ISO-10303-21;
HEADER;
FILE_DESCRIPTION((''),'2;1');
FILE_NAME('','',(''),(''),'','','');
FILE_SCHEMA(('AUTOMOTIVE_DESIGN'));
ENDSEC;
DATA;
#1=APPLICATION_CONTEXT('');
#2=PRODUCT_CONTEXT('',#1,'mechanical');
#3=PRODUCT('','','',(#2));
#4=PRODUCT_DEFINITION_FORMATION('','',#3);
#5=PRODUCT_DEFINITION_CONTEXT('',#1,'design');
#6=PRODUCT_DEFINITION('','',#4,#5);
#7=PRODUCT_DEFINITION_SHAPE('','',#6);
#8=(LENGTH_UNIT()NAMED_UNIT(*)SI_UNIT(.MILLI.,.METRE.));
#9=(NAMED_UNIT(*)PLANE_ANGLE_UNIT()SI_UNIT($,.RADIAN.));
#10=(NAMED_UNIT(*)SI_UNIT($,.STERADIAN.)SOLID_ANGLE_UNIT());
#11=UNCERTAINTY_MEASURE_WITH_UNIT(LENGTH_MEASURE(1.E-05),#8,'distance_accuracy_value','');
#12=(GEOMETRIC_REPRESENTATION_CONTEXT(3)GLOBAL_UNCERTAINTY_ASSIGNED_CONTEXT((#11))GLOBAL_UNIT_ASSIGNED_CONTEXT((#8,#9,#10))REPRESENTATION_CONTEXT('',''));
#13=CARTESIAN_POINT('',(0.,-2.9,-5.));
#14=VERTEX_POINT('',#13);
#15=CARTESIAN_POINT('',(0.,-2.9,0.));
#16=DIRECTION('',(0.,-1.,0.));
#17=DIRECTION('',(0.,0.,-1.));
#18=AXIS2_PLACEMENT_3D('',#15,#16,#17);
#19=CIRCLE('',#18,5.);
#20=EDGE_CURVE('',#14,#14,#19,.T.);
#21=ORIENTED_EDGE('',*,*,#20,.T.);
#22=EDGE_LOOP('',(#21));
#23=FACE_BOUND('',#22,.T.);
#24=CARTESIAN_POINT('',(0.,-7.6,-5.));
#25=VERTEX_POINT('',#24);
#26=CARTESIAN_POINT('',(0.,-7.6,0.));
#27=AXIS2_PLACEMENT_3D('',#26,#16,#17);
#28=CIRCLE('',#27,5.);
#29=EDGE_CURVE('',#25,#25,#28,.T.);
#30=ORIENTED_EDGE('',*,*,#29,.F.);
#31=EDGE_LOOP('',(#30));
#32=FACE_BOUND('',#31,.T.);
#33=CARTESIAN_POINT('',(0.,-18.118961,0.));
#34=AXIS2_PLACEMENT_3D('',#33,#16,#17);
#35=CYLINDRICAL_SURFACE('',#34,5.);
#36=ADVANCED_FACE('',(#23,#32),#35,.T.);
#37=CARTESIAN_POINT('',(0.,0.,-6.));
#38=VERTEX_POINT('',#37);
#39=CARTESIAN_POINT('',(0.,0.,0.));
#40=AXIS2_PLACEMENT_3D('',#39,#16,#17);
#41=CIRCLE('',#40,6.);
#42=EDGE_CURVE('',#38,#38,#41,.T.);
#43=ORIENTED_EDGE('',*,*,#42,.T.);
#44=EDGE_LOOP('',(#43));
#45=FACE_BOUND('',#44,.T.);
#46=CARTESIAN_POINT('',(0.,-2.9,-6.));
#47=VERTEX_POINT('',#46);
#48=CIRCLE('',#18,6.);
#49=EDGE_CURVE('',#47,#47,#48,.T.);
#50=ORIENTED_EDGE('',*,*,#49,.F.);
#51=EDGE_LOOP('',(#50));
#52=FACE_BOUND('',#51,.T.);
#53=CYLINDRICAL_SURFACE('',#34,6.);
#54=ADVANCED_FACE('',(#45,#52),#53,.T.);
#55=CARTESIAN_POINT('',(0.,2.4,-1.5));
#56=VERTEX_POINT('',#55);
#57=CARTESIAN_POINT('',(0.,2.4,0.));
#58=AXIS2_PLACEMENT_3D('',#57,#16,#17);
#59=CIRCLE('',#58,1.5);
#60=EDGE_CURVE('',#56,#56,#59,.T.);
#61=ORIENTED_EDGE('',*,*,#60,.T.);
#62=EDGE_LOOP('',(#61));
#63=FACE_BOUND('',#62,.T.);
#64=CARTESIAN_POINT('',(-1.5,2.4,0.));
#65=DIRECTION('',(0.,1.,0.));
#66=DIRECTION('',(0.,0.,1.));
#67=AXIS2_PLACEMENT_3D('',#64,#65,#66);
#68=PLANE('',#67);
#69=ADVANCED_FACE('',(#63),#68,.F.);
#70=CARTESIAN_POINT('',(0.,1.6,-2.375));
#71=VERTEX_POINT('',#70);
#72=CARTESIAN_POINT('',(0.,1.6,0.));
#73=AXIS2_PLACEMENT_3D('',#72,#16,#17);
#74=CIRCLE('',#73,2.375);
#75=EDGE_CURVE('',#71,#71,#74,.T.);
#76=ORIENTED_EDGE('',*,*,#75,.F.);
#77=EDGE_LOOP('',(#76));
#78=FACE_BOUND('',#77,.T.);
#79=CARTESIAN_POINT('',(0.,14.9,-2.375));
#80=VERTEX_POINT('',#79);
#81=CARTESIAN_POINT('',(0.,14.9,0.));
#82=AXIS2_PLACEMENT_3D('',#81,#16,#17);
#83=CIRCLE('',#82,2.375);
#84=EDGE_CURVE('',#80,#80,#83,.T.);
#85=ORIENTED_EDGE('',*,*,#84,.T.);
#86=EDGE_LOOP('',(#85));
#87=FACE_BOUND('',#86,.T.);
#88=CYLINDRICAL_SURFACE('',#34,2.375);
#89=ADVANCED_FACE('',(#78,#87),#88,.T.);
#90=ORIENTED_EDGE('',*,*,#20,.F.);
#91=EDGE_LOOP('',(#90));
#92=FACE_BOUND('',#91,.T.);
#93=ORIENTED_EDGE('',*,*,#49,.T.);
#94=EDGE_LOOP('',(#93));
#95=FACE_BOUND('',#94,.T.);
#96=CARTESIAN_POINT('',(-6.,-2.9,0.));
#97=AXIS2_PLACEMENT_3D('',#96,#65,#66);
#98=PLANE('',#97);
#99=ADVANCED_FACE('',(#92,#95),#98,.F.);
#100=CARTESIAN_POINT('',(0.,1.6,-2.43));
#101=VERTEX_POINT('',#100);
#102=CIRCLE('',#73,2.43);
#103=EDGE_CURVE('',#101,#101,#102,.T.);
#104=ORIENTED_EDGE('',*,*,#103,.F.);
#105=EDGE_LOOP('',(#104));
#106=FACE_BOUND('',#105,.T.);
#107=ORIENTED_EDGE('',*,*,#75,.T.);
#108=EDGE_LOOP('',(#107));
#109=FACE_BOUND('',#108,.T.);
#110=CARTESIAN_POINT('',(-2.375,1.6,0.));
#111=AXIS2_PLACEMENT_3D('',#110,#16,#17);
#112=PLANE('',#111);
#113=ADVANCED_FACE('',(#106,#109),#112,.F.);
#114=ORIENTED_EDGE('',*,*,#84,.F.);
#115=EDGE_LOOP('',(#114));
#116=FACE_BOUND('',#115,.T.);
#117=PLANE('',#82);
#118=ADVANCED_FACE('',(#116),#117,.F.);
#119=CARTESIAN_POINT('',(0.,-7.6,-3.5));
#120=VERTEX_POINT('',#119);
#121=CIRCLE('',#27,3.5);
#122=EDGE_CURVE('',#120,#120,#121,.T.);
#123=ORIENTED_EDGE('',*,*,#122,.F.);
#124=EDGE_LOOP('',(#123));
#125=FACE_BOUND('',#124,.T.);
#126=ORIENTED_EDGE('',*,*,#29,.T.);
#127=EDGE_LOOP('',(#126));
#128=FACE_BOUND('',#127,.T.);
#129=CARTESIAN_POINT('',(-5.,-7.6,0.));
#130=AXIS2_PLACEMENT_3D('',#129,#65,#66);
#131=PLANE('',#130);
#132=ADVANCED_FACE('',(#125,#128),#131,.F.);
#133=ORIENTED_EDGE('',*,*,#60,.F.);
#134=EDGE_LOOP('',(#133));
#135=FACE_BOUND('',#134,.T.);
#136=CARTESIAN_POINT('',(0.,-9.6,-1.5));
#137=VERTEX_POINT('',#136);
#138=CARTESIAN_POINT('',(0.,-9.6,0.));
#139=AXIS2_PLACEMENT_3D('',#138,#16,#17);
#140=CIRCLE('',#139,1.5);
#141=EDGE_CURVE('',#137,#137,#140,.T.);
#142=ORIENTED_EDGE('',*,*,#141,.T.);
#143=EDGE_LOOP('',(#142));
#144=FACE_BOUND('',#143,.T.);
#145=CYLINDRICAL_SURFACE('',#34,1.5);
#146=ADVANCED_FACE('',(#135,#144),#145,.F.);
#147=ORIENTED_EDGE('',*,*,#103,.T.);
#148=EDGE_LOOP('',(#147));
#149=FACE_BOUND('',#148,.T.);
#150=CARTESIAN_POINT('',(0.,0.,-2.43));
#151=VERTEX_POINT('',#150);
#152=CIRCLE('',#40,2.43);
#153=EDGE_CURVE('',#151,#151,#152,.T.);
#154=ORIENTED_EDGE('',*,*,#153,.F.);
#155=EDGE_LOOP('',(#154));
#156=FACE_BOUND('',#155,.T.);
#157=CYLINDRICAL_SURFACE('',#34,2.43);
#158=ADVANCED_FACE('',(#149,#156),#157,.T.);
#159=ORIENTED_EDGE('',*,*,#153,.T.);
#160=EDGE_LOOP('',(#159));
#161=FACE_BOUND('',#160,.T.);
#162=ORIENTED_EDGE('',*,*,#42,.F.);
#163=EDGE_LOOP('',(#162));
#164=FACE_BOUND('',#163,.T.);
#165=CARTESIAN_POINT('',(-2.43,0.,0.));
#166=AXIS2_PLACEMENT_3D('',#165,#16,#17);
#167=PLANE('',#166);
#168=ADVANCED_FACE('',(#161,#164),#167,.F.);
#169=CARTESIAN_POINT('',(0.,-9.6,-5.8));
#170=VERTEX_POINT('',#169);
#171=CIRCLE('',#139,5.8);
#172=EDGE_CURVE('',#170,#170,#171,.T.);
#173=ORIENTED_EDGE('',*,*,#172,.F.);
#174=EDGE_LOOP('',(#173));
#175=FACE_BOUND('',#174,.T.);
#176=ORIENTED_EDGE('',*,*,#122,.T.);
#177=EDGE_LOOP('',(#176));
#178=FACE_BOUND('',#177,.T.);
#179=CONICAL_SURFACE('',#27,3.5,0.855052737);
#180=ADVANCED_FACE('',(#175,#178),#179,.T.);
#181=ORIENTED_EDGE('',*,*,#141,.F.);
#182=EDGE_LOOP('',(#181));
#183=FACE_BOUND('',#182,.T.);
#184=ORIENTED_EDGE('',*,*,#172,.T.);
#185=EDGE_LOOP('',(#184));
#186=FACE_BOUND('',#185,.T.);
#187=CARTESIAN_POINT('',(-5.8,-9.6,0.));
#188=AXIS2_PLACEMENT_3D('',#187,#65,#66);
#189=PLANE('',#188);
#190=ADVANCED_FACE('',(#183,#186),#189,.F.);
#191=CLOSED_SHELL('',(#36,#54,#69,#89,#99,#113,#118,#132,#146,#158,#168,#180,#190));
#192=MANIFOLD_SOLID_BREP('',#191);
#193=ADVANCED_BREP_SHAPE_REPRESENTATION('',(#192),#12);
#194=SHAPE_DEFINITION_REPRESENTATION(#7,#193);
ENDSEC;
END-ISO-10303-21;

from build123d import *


with BuildPart() as part:
    # Croquis1 → Revolución1 (revolve)
    with BuildSketch(Plane.XY):
        Polygon((0, 14.9), (-2.375, 14.9), (-2.375, 1.6), (-2.43, 1.6), (-2.43, 0), (-6, 0), (-6, -2.9), (-5, -2.9), (-5, -7.6), (-3.5, -7.6), (-5.8, -9.6), (-1.5, -9.6), (-1.5, 2.4), (0, 2.4), align=None)
    revolve(axis=Axis((0, -18.118960647, 0), (0, 1, 0)))


solid = part.part
